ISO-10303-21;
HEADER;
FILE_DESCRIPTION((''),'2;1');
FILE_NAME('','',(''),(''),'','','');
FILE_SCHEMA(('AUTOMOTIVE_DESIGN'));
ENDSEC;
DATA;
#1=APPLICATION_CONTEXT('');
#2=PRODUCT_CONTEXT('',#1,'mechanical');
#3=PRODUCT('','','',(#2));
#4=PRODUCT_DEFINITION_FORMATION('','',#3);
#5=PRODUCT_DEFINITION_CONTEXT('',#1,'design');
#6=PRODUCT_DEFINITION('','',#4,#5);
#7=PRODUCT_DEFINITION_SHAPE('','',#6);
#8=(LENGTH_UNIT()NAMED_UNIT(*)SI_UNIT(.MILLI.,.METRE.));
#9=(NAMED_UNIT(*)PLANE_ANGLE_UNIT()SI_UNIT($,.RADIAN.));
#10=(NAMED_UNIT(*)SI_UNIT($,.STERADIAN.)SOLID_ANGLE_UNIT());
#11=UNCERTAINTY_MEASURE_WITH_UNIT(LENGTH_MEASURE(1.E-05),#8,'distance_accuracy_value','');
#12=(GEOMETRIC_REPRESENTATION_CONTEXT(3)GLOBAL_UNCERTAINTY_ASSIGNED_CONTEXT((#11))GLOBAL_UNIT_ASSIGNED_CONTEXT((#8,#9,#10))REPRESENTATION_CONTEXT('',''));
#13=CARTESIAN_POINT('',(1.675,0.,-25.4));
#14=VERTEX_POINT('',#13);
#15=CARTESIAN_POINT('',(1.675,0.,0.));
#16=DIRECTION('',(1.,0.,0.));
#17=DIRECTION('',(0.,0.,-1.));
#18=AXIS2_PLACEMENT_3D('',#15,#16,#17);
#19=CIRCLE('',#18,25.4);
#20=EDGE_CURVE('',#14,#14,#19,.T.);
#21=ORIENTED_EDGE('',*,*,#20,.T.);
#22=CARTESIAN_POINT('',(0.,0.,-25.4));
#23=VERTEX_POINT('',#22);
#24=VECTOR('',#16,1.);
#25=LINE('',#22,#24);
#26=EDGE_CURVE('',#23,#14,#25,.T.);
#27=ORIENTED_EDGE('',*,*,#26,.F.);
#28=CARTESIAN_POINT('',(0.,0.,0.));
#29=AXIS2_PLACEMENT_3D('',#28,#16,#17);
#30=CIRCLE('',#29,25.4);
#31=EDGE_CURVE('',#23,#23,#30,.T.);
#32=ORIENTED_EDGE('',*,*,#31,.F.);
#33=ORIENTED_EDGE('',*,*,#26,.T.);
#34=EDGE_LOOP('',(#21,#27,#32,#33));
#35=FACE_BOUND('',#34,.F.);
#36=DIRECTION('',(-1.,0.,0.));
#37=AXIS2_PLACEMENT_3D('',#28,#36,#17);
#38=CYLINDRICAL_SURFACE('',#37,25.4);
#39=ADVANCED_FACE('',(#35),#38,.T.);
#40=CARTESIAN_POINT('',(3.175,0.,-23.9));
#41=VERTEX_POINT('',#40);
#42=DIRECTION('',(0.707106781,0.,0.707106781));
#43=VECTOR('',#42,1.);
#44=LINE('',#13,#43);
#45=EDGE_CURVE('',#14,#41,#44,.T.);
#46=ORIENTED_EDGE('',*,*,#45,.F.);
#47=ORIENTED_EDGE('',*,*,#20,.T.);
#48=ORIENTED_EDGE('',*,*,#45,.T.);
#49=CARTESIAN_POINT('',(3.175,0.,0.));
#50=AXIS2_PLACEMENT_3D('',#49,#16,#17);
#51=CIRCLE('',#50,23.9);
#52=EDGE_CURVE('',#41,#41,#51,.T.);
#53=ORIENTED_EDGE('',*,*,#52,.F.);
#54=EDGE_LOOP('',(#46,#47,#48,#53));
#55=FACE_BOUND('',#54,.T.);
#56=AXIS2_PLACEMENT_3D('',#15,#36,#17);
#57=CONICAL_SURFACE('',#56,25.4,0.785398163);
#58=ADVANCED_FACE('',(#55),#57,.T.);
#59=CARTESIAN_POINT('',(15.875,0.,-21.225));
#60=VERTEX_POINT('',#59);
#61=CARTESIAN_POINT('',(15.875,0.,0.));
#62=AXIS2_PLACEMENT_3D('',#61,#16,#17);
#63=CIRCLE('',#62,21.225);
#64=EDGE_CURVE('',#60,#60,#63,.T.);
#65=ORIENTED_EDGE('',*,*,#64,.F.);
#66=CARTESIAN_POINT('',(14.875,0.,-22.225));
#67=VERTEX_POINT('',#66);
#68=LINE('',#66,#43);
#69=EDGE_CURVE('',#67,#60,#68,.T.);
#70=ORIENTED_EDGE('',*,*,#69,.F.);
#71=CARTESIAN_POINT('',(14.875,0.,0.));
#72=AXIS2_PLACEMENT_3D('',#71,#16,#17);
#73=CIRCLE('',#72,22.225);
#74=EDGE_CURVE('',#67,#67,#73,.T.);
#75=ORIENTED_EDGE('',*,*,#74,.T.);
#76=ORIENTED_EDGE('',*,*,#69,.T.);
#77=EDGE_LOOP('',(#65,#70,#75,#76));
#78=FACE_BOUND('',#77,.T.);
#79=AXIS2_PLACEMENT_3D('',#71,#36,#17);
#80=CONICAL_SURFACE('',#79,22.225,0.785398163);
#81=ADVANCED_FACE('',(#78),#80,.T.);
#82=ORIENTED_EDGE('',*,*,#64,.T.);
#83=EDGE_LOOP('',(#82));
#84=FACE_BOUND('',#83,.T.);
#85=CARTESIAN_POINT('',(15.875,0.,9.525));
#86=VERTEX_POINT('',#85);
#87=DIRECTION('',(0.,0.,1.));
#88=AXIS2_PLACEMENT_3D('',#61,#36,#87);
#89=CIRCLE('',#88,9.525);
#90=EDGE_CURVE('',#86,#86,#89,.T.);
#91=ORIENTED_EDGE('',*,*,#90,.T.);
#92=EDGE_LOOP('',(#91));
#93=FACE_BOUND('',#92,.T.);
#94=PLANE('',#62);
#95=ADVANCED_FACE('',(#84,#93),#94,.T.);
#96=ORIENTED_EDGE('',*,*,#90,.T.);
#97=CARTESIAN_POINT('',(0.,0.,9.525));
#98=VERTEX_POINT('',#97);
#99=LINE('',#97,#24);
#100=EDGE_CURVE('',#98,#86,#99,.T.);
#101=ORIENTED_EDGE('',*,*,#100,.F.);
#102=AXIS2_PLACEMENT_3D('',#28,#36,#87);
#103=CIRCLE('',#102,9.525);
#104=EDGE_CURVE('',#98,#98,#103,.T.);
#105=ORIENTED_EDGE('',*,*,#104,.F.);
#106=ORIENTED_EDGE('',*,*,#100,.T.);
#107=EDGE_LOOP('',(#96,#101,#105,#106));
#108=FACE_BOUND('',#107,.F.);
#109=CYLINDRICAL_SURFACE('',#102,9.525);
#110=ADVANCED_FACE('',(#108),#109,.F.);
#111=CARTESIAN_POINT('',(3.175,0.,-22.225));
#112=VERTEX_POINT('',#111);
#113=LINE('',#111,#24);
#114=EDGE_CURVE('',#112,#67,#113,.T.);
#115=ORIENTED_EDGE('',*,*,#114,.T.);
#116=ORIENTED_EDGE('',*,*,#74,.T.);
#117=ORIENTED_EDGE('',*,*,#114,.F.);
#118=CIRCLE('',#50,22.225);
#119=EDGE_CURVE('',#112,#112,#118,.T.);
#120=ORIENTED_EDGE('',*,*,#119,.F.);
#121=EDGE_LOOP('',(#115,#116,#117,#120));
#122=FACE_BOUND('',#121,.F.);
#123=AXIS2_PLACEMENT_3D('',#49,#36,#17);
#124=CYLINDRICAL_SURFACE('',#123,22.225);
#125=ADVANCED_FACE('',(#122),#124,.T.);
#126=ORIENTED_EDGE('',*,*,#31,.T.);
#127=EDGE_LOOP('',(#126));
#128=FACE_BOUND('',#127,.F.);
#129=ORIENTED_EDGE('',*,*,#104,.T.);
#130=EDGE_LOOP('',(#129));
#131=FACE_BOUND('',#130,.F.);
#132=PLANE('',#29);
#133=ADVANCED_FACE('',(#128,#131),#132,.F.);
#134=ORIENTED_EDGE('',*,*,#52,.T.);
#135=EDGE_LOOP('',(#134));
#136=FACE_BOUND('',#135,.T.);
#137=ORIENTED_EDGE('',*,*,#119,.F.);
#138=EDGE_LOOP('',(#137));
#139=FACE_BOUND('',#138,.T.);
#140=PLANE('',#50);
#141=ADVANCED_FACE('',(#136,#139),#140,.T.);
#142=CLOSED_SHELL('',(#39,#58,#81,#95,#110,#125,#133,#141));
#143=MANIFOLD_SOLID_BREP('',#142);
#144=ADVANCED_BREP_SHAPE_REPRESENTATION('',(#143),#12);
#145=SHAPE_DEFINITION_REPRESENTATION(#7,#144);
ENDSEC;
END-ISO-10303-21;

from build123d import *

# Parameters (mm, degrees)
SKETCH1_R           = 25.4
BOSS_EXTRUDE1_DEPTH = 3.175
SKETCH2_R           = 22.225
BOSS_EXTRUDE2_DEPTH = 12.7
SKETCH3_R           = 9.525
CUT_EXTRUDE1_DEPTH  = 16.875
CHAMFER1_SIZE       = 1.5
CHAMFER2_SIZE       = 1


with BuildPart() as part:
    # Sketch1 → Boss-Extrude1 (new body)
    with BuildSketch(Plane(origin=(0, 0, 0), x_dir=(0, 0, -1), z_dir=(1, 0, 0))):
        Circle(SKETCH1_R)
    extrude(amount=BOSS_EXTRUDE1_DEPTH)

    # Sketch2 → Boss-Extrude2 (add)
    with BuildSketch(Plane(origin=(3.175, 0, 0), x_dir=(0, 0, -1), z_dir=(1, 0, 0))):
        Circle(SKETCH2_R)
    extrude(amount=BOSS_EXTRUDE2_DEPTH)

    # Sketch3 → Cut-Extrude1 (cut, through all)
    with BuildSketch(Plane.ZY):
        Circle(SKETCH3_R)
    extrude(amount=-CUT_EXTRUDE1_DEPTH, mode=Mode.SUBTRACT)

    # Chamfer1
    chamfer1_edges = [part.edges().sort_by_distance(p)[0] for p in [
        (3.175, 0, 25.4),
    ]]
    chamfer(chamfer1_edges, length=CHAMFER1_SIZE)

    # Chamfer2
    chamfer2_edges = [part.edges().sort_by_distance(p)[0] for p in [
        (15.875, 0, 22.225),
    ]]
    chamfer(chamfer2_edges, length=CHAMFER2_SIZE)


solid = part.part
